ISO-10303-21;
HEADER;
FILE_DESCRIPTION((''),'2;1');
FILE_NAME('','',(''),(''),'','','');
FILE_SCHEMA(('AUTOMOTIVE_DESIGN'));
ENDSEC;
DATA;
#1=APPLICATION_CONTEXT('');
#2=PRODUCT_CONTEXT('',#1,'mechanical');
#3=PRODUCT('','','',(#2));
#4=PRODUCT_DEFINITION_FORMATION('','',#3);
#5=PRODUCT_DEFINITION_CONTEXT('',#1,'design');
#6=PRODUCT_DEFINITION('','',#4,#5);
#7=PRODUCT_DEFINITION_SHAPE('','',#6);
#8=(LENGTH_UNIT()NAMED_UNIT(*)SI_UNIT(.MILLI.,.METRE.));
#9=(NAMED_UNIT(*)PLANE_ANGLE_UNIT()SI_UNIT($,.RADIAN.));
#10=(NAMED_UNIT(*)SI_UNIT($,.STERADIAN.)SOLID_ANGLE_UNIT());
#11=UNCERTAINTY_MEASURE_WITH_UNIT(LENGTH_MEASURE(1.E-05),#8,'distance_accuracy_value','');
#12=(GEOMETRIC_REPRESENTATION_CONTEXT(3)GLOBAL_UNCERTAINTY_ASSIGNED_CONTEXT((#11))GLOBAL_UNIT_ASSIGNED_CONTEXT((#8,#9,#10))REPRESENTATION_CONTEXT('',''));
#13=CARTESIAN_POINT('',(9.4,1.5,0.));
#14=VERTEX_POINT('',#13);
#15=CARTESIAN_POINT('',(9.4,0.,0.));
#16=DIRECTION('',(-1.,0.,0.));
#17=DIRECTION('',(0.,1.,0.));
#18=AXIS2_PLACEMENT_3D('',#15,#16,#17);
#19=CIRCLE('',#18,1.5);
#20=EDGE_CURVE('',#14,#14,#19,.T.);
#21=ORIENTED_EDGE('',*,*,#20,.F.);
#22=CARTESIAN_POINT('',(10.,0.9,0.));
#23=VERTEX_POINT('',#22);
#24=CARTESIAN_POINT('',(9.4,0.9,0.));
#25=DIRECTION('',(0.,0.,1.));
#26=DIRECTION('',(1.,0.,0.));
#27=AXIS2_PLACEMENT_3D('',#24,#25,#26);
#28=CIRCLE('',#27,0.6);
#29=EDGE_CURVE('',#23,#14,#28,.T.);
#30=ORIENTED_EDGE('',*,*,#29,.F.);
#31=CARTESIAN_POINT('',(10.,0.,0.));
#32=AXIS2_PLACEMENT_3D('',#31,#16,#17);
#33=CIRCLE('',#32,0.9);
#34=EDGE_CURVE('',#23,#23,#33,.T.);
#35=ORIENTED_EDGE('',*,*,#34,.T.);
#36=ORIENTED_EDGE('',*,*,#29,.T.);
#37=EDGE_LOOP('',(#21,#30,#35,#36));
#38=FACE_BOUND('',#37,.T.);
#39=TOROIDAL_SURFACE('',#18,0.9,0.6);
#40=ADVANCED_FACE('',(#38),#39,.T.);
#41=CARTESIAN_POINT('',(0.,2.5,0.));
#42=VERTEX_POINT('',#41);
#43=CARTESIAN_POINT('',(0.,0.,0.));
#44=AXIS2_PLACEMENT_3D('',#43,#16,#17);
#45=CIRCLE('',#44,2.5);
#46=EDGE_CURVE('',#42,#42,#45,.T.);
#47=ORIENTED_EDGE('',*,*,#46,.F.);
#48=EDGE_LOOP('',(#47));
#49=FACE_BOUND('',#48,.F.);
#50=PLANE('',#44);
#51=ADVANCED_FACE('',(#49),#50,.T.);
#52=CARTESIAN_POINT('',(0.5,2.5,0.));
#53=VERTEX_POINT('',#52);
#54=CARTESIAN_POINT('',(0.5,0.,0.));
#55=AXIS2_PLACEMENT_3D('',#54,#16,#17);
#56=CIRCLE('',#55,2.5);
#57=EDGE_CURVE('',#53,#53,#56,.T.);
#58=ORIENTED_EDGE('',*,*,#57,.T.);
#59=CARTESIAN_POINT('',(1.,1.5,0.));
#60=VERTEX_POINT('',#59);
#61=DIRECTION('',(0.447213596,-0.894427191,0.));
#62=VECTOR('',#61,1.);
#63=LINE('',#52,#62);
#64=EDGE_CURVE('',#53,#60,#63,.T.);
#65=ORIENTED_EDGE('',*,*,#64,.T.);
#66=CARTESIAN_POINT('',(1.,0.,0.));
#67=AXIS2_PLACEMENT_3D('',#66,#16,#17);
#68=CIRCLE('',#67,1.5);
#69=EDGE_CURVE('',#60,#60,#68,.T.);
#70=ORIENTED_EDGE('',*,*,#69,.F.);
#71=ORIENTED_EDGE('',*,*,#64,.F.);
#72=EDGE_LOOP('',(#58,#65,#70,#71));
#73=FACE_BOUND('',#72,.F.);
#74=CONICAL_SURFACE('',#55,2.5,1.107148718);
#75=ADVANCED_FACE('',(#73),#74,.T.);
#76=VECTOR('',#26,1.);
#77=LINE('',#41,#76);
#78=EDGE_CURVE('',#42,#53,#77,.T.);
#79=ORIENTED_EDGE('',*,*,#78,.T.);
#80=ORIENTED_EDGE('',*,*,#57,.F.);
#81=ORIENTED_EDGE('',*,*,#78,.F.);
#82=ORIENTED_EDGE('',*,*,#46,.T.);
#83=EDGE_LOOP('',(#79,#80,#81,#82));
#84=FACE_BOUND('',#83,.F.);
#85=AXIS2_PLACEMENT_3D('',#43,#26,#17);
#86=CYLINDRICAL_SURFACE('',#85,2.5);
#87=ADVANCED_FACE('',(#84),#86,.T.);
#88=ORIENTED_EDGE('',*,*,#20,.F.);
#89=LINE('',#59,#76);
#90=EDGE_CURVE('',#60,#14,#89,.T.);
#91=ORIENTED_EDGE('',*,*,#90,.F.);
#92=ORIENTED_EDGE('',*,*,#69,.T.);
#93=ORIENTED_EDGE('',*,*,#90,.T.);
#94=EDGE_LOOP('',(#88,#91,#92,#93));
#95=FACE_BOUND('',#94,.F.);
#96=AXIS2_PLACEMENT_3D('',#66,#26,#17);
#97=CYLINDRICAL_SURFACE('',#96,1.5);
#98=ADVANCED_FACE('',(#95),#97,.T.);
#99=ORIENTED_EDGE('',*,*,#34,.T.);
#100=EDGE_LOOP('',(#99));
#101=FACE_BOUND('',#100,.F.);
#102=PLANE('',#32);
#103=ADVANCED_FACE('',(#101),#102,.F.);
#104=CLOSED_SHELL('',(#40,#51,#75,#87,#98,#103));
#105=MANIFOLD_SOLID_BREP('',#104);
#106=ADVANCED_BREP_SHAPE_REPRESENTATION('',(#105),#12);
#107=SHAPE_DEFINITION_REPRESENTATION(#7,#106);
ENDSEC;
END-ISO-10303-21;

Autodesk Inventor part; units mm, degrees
ref_plane "YZ Plane" through (0, 0, 0) normal (1, 0, 0) x (0, 1, 0)
ref_plane "XZ Plane" through (0, 0, 0) normal (0, 1, 0) x (-1, 0, 0)
ref_plane "XY Plane" through (0, 0, 0) normal (0, 0, 1) x (1, 0, 0)
sketch "Эскиз3" plane through (0, 0, 0) normal (0, 0, 1) x (1, 0, 0)
  line L0 (0, 0) -> (0, 2.5)
  line L1 (0, 2.5) -> (0.5, 2.5)
  line L2 (0.5, 2.5) -> (1, 1.5)
  line L3 (1, 1.5) -> (9.4, 1.5)
  line L4 (10, 0.9) -> (10, 0)
  line L5 (10, 0) -> (0, 0)
  arc A0 (10, 0.9) -> (9.4, 1.5) centre (9.4, 0.9) ccw
  point P0 (10, 1.5)
  dimension "d9" = 2.5
  dimension "d10" = 0.5
  dimension "d11" = 1.5
  dimension "d12" = 1
  dimension "d13" = 10
  dimension "d15" = 0.6
revolve "Вращение1" add sketch "Эскиз3" angle 360 about axis through (10, 0, 0) along (-1, 0, 0)
properties part number "Гвоздик 3 мм"
